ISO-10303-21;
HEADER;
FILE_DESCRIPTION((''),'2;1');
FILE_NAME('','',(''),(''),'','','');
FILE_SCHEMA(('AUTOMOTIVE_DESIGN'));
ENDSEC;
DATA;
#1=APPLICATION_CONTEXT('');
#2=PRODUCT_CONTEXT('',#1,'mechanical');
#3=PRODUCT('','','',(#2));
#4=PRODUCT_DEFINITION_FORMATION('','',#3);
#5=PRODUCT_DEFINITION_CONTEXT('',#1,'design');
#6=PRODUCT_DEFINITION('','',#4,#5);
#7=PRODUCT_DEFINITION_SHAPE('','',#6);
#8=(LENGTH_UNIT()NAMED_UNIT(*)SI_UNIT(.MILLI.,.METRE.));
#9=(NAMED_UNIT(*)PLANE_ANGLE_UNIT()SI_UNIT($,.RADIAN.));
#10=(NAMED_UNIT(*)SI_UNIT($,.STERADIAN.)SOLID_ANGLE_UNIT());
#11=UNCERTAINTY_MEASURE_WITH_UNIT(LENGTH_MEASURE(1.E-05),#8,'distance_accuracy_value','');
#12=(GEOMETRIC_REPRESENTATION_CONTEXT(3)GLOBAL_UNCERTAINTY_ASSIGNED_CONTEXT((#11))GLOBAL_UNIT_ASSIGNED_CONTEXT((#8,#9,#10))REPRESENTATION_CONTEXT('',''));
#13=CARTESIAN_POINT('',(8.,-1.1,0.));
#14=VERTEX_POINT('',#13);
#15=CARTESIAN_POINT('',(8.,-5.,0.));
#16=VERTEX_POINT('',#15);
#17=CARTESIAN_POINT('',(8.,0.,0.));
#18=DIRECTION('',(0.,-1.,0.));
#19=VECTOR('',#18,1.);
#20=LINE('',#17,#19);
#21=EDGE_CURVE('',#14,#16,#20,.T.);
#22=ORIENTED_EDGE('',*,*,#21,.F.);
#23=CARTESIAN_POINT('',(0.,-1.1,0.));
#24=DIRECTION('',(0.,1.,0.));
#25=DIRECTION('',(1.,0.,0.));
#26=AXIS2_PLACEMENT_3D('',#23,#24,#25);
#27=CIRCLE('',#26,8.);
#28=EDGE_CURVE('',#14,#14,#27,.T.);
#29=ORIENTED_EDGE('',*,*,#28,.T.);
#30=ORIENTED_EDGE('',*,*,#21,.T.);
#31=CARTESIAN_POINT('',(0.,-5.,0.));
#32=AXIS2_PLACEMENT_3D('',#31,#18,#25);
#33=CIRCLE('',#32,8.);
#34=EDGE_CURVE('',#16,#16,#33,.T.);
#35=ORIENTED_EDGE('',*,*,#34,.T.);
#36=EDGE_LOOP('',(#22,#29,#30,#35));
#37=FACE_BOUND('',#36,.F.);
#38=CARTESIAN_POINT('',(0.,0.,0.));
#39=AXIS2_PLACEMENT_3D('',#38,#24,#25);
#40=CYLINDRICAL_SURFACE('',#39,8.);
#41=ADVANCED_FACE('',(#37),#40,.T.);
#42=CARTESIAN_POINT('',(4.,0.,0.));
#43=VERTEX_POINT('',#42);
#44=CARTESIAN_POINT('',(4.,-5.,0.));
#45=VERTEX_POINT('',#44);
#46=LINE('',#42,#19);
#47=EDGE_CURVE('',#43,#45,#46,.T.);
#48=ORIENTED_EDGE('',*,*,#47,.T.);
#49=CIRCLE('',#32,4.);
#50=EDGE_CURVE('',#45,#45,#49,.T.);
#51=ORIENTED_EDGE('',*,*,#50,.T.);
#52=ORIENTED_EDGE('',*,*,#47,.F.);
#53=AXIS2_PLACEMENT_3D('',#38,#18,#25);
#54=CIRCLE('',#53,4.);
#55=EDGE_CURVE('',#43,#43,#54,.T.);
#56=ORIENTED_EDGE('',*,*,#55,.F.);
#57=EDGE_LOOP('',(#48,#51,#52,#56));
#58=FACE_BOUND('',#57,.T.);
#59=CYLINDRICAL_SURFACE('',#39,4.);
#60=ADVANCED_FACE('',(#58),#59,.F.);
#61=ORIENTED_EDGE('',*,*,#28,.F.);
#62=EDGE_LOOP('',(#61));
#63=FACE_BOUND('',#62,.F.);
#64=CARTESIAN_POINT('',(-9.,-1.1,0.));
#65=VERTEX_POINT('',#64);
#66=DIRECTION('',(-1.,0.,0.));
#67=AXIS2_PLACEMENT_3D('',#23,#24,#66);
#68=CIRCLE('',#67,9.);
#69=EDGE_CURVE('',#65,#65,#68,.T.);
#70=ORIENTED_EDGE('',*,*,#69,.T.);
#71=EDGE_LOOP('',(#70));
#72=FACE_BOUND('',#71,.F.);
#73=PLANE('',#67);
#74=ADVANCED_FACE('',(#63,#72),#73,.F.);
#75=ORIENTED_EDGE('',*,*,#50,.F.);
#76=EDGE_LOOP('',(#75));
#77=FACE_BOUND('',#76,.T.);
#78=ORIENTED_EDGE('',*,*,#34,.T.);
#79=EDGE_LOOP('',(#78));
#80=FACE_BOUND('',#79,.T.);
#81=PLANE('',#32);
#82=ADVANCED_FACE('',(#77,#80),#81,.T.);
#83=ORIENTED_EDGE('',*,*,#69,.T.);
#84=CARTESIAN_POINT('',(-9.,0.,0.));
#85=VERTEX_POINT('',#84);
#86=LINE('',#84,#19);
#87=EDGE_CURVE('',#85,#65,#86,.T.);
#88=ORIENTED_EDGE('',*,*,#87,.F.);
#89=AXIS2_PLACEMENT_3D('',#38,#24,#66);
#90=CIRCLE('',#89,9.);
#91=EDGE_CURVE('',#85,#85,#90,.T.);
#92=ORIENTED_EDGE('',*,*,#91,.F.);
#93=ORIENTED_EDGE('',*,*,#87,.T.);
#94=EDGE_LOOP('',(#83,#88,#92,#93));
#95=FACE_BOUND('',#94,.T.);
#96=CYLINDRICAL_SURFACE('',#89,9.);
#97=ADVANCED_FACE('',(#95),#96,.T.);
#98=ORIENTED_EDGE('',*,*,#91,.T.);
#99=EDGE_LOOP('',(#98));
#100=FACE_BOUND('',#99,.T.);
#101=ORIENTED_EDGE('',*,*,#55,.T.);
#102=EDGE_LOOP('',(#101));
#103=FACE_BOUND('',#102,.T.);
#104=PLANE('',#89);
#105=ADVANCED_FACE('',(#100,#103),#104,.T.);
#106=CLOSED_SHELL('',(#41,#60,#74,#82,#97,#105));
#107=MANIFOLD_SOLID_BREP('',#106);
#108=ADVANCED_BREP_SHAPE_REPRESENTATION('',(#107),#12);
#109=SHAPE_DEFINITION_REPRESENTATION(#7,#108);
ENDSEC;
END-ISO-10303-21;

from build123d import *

# Parameters (mm, degrees)
F0_R     = 8
F0_R_2   = 4
F1_DEPTH = 5
F2_R     = 9
F2_R_2   = 8
F3_DEPTH = 1.1


with BuildPart() as f1:
    # F0 (on Front) → F1 (new body)
    with BuildSketch(Plane.XZ):
        Circle(F0_R)
        Circle(F0_R_2, mode=Mode.SUBTRACT)
    extrude(amount=F1_DEPTH)

    # F2 (on face) → F3 (join)
    with BuildSketch(Plane(origin=(0, 0, 0), x_dir=(-1, 0, 0), z_dir=(0, 1, 0))):
        Circle(F2_R)
        Circle(F2_R_2, mode=Mode.SUBTRACT)
    extrude(amount=-F3_DEPTH)


solid = f1.part
